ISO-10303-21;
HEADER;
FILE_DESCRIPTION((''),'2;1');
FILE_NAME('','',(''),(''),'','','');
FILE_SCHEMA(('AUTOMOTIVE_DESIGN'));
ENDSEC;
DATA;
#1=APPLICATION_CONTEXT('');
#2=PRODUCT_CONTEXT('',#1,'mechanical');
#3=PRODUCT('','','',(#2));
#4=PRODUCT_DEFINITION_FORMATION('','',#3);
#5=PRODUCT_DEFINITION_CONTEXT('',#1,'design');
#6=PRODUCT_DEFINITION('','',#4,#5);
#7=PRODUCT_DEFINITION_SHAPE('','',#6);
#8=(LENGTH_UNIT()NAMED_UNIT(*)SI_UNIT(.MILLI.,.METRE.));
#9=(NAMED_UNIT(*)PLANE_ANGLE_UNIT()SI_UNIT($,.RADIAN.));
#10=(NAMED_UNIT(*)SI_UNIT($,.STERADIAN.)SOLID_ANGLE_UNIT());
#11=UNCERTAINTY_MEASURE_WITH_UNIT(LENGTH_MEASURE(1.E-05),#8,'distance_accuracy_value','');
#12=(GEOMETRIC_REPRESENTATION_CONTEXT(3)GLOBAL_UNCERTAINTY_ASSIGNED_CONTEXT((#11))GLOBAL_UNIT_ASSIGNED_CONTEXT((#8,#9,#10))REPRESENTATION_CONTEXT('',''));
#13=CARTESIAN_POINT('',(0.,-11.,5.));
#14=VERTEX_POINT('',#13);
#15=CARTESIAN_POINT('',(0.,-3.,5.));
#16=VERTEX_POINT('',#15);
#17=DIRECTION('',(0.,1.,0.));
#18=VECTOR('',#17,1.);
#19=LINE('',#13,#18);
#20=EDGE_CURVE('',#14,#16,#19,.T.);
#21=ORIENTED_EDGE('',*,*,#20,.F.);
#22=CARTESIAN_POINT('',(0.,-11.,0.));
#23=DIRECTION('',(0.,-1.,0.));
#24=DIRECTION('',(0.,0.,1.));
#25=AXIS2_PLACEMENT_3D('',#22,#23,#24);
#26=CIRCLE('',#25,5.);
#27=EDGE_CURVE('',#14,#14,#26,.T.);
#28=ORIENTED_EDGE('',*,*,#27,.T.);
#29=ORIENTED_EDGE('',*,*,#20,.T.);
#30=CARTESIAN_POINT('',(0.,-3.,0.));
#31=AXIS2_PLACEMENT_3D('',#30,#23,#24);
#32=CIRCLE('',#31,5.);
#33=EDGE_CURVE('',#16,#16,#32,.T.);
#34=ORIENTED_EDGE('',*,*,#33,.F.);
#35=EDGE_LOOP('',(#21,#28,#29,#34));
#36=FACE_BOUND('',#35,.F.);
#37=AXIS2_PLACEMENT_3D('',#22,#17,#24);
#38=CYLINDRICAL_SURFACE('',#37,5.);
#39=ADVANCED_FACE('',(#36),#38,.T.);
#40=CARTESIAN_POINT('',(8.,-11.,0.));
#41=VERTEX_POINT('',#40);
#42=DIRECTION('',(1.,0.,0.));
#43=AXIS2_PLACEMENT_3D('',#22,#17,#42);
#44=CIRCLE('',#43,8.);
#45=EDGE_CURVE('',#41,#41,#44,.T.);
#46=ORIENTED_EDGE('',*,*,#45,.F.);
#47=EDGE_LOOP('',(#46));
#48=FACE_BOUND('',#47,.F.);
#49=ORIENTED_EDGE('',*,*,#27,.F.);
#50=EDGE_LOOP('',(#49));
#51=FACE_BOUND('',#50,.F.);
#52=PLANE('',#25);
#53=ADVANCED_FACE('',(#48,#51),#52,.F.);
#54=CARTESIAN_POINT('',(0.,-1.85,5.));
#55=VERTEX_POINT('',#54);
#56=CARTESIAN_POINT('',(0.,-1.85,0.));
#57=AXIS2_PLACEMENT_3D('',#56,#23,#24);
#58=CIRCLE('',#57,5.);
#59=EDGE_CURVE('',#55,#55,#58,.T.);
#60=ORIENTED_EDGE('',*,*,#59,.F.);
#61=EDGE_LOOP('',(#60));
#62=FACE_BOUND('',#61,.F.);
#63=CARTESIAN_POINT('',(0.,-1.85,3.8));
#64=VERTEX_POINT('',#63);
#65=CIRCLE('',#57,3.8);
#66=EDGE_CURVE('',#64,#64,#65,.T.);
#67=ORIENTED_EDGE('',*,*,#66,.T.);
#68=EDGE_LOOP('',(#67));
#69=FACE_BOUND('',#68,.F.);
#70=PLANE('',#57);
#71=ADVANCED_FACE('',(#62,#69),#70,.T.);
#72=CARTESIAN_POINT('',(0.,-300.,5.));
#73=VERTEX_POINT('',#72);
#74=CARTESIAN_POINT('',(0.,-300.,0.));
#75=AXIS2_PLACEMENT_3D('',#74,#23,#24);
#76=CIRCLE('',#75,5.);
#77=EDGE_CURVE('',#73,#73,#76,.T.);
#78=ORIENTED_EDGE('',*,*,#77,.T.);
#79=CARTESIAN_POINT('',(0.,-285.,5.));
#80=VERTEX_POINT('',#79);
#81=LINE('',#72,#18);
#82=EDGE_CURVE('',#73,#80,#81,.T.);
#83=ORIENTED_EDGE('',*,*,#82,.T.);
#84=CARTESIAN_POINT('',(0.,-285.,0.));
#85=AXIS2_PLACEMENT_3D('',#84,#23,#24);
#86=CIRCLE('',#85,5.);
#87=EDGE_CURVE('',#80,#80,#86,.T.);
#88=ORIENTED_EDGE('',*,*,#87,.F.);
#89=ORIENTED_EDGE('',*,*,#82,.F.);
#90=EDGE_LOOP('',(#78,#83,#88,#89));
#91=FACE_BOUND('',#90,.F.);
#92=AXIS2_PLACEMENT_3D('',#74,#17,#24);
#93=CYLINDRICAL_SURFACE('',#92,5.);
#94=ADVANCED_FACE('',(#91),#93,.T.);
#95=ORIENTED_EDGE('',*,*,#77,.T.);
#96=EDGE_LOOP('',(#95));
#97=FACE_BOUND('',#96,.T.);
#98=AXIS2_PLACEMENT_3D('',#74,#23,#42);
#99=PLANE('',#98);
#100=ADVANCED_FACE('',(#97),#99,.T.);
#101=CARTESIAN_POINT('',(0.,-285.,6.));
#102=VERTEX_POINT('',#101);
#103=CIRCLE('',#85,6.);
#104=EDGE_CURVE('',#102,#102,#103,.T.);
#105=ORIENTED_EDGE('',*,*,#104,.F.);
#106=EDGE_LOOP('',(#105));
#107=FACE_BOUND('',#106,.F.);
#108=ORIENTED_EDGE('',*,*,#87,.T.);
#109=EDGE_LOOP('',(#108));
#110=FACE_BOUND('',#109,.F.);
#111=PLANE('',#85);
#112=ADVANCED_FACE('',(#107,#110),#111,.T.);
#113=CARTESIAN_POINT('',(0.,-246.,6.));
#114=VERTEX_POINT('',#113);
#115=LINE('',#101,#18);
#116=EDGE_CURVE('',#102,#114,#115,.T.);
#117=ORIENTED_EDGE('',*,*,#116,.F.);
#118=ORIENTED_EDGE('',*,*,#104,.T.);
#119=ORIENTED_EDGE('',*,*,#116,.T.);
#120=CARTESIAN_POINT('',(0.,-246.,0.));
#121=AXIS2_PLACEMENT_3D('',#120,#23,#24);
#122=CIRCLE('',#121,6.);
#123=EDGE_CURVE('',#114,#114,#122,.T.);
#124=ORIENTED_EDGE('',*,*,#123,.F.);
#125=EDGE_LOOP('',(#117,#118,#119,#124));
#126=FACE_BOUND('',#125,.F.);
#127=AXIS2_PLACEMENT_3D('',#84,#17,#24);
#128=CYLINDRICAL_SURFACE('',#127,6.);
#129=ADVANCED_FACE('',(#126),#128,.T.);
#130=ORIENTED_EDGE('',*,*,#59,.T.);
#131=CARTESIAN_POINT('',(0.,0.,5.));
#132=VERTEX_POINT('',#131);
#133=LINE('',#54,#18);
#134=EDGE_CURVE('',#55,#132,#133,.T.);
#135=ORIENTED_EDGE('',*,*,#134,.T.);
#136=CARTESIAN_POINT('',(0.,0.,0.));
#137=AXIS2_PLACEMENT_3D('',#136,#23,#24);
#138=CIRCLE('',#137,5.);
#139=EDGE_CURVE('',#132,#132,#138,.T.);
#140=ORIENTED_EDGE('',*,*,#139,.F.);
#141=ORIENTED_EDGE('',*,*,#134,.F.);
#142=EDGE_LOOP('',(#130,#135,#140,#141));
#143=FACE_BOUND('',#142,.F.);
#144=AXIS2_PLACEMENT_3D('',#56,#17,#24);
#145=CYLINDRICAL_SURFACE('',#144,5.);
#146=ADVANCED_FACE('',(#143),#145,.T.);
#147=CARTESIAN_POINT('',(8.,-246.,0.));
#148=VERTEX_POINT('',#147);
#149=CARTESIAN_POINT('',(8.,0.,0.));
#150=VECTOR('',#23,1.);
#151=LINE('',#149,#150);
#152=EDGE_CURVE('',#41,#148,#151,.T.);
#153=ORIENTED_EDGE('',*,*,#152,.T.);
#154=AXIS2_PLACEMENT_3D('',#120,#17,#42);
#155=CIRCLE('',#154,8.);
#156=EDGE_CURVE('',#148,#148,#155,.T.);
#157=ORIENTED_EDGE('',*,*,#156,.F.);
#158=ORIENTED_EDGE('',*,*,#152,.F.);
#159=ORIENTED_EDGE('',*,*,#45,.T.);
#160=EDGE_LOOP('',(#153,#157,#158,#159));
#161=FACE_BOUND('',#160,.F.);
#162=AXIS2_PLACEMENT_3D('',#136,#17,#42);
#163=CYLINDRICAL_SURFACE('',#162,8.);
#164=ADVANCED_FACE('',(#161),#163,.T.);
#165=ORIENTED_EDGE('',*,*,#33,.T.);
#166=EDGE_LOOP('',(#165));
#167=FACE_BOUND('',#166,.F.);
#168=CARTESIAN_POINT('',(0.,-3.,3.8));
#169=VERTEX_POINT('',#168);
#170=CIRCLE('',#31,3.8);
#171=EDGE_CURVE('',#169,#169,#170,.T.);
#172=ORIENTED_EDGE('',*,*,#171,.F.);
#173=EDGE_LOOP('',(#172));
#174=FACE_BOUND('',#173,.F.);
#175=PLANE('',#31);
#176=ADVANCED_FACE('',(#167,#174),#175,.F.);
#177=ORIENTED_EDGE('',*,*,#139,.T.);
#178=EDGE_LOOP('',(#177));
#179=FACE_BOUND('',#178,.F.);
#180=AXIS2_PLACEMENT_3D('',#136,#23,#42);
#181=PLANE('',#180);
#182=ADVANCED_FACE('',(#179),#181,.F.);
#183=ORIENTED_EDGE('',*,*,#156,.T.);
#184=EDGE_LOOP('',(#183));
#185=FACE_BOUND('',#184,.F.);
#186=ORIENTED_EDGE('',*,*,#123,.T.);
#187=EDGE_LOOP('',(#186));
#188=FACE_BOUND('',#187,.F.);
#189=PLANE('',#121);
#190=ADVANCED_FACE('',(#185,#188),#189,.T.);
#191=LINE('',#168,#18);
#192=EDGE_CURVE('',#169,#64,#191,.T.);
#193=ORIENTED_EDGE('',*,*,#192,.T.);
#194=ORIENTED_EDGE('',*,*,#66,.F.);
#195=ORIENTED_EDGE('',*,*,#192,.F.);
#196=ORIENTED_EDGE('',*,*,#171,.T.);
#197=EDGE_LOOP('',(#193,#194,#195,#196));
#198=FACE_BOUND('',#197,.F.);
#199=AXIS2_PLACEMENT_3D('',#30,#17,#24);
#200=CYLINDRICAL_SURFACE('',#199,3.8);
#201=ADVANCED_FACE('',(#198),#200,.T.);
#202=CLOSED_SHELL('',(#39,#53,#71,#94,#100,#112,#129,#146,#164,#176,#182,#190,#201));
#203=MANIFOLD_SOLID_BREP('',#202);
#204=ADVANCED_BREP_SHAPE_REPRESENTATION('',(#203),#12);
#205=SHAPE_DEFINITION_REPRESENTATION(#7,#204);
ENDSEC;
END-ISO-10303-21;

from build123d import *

# Parameters (mm, degrees)
F0_R     = 8
F1_DEPTH = 300


with BuildPart() as f1:
    # F0 (on Front) → F1 (new body)
    with BuildSketch(Plane.XZ):
        Circle(F0_R)
    extrude(amount=F1_DEPTH)

    # F2 (on Right) → F4 (revolve, cut)
    with BuildSketch(Plane.YZ):
        Polygon((-246, 20), (-300, 20), (-300, 5), (-285, 5), (-285, 6), (-246, 6), align=None)
        Polygon((0, 5), (0, 10), (-11, 10), (-11, 5), (-3, 5), (-3, 3.8), (-1.85, 3.8), (-1.85, 5), align=None)
    revolve(axis=Axis((0, -200, 0), (0, -1, 0)), mode=Mode.SUBTRACT)


solid = f1.part
